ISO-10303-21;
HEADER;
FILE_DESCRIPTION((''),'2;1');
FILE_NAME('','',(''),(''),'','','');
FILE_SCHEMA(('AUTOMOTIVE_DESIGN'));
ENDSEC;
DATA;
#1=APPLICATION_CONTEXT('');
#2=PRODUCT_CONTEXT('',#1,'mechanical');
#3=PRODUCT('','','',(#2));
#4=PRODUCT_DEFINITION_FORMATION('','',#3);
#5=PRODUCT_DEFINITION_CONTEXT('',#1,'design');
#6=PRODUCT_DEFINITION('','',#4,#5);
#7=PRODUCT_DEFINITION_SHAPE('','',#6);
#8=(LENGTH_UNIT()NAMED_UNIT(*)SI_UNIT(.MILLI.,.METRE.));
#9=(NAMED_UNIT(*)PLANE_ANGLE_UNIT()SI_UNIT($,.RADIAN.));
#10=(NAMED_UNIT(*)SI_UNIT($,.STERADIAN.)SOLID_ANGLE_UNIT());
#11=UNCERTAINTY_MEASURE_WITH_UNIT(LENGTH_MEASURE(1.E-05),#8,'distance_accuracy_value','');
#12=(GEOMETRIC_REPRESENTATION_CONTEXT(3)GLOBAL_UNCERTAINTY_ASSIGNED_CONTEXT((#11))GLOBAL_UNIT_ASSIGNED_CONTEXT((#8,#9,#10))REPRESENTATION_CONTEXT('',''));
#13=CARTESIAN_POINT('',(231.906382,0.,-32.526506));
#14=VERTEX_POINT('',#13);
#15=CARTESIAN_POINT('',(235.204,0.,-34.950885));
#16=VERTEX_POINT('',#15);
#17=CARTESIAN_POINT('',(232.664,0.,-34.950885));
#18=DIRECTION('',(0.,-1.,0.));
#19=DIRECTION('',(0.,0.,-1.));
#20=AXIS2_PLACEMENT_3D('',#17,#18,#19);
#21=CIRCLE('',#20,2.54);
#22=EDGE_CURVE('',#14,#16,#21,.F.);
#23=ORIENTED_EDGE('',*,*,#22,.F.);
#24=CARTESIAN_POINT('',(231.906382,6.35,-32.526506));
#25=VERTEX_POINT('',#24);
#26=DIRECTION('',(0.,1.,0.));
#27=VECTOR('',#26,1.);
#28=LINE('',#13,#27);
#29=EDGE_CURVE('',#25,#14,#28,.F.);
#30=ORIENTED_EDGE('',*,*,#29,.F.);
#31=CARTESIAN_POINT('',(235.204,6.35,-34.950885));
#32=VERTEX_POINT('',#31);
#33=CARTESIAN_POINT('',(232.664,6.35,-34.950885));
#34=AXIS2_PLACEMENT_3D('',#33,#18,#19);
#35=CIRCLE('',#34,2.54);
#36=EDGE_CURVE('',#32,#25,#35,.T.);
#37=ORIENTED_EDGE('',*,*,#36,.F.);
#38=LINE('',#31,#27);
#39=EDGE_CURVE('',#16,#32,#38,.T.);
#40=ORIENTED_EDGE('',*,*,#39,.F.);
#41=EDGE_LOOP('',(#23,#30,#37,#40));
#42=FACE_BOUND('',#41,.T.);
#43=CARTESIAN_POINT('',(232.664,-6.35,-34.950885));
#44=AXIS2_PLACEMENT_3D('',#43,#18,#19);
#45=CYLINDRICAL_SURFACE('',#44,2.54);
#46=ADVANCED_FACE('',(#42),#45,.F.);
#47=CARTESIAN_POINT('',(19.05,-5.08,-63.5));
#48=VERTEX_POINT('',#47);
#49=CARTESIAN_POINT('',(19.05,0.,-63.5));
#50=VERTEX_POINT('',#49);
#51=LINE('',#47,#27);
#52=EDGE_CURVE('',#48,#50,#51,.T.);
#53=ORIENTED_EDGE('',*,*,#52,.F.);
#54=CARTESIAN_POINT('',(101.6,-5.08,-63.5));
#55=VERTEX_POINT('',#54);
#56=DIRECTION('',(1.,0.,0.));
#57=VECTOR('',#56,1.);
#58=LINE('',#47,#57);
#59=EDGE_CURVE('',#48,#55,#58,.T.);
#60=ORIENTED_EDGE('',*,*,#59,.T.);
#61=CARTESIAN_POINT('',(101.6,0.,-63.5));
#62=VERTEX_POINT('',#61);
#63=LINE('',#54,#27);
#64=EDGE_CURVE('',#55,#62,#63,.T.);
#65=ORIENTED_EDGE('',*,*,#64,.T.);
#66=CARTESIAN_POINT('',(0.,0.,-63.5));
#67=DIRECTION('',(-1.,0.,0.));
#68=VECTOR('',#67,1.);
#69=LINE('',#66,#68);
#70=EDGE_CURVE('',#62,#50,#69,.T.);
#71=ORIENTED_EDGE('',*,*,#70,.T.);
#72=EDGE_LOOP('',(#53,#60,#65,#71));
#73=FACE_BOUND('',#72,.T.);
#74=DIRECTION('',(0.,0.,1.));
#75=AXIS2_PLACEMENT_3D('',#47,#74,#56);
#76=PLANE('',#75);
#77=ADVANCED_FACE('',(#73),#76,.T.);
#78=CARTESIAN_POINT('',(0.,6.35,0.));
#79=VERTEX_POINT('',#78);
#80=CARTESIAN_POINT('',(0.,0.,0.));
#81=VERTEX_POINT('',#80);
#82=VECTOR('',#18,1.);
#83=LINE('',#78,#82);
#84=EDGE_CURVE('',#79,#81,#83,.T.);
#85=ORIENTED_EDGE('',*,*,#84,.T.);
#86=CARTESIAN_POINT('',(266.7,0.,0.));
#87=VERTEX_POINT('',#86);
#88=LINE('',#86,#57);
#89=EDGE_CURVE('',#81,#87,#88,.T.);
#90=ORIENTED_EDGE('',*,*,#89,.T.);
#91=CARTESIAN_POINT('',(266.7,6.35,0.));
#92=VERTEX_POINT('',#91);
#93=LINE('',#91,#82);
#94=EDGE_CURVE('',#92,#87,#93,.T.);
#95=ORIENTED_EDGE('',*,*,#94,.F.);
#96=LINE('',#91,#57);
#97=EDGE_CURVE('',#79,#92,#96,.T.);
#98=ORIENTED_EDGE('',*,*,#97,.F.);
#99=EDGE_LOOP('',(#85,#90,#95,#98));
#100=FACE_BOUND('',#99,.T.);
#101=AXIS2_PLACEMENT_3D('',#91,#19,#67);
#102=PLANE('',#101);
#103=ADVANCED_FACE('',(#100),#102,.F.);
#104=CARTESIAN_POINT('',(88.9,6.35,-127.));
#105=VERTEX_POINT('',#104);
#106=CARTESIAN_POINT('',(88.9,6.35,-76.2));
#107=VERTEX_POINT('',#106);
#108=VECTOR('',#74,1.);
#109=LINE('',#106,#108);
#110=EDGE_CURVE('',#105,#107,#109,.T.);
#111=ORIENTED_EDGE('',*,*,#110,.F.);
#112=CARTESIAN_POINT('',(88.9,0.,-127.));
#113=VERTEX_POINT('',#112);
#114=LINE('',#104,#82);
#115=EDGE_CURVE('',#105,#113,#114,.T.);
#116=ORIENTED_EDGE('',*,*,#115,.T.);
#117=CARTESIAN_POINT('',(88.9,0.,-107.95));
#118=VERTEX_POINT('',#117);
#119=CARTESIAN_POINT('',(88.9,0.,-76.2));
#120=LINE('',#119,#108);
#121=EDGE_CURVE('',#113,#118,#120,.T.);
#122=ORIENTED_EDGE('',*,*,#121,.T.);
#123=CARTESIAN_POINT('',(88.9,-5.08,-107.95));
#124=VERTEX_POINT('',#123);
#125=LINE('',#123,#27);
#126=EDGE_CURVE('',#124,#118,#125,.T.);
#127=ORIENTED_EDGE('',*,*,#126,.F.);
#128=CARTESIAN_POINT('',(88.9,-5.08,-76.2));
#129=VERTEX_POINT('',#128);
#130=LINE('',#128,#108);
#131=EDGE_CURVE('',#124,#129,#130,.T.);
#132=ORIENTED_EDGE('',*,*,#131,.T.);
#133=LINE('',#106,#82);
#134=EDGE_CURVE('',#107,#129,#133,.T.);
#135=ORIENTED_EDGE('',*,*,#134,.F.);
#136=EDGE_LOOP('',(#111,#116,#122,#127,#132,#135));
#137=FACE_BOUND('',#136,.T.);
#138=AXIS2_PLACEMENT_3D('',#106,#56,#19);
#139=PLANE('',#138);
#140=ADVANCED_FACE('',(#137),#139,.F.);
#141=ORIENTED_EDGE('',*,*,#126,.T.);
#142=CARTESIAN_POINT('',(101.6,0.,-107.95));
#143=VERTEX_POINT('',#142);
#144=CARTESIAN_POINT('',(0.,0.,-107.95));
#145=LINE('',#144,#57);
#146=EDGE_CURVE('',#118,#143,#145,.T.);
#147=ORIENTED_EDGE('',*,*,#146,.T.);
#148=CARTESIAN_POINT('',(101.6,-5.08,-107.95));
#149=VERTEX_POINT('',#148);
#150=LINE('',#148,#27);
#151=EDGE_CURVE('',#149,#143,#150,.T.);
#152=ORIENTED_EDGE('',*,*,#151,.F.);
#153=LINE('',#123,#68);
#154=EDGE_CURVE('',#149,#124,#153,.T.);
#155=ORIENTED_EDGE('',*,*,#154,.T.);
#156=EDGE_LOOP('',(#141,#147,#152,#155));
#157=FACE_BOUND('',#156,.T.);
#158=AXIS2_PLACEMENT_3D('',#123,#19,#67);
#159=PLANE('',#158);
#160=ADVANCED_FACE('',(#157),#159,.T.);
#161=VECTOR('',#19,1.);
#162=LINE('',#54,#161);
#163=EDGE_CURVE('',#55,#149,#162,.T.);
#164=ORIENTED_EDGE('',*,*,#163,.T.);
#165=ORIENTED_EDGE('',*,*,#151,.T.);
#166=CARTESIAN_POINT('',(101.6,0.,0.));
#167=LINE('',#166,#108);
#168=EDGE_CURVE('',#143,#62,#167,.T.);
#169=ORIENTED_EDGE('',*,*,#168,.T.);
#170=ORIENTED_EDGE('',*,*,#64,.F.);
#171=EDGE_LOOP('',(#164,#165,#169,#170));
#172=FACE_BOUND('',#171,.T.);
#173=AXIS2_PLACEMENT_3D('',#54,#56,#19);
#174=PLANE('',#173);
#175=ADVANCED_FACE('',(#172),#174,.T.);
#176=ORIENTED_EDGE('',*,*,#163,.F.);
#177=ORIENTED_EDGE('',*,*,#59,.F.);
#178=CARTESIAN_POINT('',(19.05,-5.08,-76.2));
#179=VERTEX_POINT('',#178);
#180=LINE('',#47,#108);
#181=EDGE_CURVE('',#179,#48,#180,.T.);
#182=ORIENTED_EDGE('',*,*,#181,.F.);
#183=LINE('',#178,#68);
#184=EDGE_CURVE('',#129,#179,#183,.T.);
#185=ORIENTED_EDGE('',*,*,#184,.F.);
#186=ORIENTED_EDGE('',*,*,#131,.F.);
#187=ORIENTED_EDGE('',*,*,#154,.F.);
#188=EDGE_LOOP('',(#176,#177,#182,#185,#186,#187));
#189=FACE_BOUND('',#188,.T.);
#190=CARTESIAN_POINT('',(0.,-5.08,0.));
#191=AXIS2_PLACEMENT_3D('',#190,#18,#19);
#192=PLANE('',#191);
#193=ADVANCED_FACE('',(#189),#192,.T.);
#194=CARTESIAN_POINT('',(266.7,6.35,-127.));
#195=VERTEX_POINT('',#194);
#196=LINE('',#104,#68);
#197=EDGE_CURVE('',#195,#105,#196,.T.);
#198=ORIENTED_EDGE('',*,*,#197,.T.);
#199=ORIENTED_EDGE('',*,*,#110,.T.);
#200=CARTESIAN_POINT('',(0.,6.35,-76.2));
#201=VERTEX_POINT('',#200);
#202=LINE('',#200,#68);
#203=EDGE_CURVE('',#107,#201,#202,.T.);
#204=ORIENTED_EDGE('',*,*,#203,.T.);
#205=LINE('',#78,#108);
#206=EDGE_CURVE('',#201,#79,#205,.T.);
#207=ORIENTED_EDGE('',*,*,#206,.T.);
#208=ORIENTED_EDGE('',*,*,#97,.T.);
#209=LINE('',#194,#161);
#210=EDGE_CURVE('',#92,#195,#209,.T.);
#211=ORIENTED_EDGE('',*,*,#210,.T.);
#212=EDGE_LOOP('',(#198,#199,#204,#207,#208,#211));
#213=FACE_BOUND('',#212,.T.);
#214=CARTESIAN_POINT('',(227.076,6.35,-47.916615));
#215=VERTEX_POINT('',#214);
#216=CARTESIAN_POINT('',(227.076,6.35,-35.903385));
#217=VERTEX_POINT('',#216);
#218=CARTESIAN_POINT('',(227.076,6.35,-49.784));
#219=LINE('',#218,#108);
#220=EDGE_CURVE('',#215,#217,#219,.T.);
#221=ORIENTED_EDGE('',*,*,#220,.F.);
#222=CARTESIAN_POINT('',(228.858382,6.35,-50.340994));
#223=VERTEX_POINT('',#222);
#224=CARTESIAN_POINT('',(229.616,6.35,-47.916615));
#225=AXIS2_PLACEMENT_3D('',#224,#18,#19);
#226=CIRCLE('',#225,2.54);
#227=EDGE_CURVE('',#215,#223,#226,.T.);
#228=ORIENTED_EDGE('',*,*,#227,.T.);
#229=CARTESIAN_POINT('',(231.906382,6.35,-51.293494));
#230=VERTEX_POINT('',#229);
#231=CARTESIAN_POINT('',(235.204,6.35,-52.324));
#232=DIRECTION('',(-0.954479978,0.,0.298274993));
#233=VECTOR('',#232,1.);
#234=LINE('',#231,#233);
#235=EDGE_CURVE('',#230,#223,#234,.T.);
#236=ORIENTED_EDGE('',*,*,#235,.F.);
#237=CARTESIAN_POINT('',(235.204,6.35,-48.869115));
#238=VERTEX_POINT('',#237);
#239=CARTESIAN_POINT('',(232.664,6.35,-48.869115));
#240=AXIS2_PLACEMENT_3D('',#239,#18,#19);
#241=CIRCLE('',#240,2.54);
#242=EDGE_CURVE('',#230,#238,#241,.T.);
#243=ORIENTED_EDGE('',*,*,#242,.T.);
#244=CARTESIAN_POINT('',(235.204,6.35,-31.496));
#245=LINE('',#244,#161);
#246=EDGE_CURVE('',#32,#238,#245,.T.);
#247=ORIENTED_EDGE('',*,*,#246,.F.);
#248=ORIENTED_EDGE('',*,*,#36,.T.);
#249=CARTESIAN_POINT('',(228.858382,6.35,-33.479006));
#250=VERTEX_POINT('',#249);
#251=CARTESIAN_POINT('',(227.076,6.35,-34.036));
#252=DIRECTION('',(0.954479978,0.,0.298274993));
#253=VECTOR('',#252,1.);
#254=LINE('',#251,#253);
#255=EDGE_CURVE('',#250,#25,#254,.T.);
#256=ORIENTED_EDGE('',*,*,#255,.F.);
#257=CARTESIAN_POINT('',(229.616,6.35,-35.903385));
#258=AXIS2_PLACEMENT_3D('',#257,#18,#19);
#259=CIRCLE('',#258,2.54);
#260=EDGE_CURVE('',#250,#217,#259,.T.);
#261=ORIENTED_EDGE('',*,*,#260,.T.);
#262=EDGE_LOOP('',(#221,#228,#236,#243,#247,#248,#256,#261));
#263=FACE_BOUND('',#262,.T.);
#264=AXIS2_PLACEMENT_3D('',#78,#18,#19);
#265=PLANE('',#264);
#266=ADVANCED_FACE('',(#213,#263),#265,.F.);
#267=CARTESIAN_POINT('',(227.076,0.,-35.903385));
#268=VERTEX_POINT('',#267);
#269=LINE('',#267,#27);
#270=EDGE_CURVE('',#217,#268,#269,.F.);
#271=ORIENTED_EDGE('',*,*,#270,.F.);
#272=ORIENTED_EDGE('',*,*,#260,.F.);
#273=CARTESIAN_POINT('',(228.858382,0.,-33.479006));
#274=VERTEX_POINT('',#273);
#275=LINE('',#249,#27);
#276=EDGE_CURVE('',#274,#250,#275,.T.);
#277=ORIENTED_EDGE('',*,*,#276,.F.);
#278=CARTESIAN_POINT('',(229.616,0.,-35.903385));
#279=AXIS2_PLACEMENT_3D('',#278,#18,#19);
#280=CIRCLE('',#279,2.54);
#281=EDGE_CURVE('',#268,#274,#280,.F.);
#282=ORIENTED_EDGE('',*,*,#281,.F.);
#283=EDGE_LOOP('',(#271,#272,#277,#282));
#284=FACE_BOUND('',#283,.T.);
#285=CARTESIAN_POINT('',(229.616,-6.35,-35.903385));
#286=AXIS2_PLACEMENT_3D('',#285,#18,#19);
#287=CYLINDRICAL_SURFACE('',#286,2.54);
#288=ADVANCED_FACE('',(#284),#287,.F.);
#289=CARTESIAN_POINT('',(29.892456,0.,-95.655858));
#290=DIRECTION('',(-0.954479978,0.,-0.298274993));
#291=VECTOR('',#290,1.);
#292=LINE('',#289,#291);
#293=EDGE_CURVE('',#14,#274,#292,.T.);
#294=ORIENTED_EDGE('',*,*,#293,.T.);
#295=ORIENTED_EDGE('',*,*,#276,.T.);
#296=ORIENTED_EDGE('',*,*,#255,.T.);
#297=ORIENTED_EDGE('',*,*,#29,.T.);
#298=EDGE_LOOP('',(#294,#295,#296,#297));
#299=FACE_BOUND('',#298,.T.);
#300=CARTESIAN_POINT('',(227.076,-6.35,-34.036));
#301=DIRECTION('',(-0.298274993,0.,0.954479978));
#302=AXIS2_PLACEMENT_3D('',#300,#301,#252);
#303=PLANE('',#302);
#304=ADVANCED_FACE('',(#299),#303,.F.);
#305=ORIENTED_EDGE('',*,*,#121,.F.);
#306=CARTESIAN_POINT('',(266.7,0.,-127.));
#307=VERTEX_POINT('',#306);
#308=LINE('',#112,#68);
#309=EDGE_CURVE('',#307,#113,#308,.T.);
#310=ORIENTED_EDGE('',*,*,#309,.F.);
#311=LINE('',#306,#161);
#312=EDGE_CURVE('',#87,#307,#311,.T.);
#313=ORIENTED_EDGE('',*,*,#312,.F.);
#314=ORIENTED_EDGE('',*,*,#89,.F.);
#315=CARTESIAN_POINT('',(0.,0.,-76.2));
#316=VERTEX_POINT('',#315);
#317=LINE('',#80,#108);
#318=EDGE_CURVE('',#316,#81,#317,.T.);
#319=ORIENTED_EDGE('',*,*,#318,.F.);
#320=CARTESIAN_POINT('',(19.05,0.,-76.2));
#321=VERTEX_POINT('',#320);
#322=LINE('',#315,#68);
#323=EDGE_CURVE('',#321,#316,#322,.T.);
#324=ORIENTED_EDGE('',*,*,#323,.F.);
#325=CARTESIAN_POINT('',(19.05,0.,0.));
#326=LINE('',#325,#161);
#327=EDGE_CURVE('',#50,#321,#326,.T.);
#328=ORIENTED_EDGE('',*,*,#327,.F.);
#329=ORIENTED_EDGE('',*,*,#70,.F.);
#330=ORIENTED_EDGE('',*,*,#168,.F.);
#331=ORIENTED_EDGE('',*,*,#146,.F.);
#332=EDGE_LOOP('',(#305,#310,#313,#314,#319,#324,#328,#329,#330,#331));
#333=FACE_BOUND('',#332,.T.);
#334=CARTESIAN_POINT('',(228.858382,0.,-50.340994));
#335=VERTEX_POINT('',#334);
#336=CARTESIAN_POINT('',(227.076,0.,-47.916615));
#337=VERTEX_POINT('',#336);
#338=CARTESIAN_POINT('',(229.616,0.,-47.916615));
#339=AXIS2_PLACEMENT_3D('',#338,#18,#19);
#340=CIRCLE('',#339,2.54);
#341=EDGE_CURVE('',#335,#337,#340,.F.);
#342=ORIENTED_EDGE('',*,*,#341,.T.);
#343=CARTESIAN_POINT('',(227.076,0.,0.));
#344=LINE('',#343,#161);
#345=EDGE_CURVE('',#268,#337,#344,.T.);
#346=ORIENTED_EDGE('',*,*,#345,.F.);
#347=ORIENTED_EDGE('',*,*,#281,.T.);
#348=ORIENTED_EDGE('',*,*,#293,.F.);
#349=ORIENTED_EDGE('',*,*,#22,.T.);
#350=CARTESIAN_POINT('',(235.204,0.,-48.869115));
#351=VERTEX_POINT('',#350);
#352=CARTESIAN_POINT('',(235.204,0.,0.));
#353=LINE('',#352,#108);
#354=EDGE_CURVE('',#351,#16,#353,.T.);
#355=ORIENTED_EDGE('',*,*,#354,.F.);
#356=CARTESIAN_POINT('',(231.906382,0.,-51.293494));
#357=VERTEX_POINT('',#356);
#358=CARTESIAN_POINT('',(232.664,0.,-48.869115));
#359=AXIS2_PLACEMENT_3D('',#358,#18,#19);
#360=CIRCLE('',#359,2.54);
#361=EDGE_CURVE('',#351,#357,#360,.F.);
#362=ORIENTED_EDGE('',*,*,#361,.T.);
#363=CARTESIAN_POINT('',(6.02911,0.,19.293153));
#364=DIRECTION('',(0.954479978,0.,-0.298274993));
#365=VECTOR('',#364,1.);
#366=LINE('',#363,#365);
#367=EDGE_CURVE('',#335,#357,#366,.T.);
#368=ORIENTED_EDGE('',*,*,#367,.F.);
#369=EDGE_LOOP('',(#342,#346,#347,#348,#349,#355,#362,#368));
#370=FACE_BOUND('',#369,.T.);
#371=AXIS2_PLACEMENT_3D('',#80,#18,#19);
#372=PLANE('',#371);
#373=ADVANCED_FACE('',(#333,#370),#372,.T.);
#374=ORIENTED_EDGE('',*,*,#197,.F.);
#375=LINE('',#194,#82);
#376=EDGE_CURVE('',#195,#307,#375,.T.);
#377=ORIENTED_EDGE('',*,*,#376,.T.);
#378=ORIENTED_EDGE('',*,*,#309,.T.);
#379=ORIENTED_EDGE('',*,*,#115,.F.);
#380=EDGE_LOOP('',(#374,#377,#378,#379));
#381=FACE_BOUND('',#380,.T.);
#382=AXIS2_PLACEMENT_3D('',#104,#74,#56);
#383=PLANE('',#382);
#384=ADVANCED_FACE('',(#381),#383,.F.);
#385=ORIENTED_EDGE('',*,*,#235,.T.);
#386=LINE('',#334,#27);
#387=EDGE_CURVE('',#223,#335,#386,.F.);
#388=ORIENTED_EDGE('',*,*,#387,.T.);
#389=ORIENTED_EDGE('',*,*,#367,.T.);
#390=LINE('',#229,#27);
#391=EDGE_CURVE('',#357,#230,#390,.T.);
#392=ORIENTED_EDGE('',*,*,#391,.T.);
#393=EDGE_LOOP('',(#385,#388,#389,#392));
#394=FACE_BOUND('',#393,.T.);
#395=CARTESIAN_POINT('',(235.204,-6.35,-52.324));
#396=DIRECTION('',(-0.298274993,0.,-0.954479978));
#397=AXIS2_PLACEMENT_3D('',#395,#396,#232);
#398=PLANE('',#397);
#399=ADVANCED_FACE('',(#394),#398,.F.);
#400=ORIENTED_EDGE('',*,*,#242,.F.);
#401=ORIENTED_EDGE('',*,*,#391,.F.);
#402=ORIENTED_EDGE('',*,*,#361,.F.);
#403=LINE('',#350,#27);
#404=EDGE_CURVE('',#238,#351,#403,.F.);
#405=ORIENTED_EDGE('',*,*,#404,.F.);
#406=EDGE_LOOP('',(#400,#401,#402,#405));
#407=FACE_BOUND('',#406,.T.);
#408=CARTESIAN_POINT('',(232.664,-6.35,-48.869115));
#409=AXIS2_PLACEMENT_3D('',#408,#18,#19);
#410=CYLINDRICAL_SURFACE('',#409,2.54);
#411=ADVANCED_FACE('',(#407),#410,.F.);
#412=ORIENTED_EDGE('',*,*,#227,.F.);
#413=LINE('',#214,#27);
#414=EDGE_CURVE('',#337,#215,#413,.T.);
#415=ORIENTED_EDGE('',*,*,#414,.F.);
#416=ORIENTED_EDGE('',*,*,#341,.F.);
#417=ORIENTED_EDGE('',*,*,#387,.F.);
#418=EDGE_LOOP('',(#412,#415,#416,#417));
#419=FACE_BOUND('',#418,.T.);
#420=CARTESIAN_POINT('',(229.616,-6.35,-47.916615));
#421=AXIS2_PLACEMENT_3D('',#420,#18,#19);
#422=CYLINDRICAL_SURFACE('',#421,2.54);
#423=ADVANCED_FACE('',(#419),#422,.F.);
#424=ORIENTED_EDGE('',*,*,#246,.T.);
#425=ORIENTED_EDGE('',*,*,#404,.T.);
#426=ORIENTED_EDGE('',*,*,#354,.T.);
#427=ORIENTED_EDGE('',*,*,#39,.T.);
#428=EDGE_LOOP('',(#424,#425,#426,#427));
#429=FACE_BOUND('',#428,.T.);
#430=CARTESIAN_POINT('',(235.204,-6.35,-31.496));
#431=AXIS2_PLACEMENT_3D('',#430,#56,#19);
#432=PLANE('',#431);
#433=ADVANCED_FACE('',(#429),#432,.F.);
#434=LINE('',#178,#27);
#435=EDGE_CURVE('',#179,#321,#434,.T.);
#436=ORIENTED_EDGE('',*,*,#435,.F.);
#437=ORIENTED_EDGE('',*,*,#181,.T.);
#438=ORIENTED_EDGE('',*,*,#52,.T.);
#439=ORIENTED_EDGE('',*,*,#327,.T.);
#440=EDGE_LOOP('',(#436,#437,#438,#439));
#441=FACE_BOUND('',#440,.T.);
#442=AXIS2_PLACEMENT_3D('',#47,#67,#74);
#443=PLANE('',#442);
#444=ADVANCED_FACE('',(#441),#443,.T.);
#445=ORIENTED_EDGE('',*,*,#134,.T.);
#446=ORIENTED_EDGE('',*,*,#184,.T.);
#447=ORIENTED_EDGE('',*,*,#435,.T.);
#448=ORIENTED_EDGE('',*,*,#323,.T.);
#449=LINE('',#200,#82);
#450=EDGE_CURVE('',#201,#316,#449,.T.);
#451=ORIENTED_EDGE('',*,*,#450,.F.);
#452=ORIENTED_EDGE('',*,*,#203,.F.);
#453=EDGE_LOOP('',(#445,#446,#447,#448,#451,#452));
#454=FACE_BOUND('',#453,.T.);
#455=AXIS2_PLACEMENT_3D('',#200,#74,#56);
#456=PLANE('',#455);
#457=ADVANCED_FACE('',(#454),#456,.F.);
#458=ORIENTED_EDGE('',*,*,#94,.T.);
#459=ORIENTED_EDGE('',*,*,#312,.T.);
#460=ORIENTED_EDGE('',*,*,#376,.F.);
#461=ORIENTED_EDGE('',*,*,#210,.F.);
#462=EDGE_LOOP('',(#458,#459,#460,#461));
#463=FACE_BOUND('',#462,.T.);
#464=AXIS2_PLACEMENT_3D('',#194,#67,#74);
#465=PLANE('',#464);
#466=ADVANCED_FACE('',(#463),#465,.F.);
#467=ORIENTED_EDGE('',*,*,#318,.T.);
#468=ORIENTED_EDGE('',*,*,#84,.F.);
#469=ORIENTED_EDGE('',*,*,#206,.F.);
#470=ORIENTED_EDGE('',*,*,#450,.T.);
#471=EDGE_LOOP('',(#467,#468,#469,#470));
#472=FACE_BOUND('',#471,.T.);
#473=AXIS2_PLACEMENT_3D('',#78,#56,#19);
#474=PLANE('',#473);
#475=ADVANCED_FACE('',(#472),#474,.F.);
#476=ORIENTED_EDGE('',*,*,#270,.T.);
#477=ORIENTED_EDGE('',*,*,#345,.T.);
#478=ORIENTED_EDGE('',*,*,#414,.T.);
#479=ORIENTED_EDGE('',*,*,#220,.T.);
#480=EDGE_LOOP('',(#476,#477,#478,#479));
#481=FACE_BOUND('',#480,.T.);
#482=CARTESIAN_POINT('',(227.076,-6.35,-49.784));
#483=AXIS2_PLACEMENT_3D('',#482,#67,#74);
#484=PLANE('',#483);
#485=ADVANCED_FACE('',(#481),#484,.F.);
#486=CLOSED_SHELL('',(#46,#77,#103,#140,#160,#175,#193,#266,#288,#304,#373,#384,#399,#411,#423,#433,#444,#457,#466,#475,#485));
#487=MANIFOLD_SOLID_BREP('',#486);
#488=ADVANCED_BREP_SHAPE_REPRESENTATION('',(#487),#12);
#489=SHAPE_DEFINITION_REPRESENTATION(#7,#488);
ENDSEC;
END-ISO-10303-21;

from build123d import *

# Parameters (mm, degrees)
BOSS_EXTRUDE1_DEPTH = 6.35
BOSS_EXTRUDE2_DEPTH = 11.43
CUT_EXTRUDE1_DEPTH  = 12.7
FILLET1_R           = 2.54


with BuildPart() as part:
    # Sketch1 → Boss-Extrude1 (new body)
    with BuildSketch(Plane(origin=(0, 0, 0), x_dir=(1, 0, 0), z_dir=(0, 1, 0))):
        Polygon((0, 0), (0, 76.2), (88.9, 76.2), (88.9, 127), (266.7, 127), (266.7, 0), align=None)
    extrude(amount=BOSS_EXTRUDE1_DEPTH)

    # Sketch2 → Boss-Extrude2 (add)
    with BuildSketch(Plane(origin=(0, 6.35, 0), x_dir=(1, 0, 0), z_dir=(0, 1, 0))):
        Polygon((19.05, 63.5), (101.6, 63.5), (101.6, 107.95), (88.9, 107.95), (88.9, 76.2), (19.05, 76.2), align=None)
    extrude(amount=-BOSS_EXTRUDE2_DEPTH)

    # Sketch3 → Cut-Extrude1 (cut)
    with BuildSketch(Plane(origin=(0, 6.35, 0), x_dir=(1, 0, 0), z_dir=(0, 1, 0))):
        Polygon((235.204, 31.496), (235.204, 52.324), (227.076, 49.784), (227.076, 34.036), align=None)
    extrude(amount=-CUT_EXTRUDE1_DEPTH, mode=Mode.SUBTRACT)

    # Fillet1
    fillet1_edges = [part.edges().sort_by_distance(p)[0] for p in [
        (235.204, 3.175, -31.496),
        (227.076, 3.175, -34.036),
        (227.076, 3.175, -49.784),
        (235.204, 3.175, -52.324),
    ]]
    fillet(fillet1_edges, radius=FILLET1_R)


solid = part.part
